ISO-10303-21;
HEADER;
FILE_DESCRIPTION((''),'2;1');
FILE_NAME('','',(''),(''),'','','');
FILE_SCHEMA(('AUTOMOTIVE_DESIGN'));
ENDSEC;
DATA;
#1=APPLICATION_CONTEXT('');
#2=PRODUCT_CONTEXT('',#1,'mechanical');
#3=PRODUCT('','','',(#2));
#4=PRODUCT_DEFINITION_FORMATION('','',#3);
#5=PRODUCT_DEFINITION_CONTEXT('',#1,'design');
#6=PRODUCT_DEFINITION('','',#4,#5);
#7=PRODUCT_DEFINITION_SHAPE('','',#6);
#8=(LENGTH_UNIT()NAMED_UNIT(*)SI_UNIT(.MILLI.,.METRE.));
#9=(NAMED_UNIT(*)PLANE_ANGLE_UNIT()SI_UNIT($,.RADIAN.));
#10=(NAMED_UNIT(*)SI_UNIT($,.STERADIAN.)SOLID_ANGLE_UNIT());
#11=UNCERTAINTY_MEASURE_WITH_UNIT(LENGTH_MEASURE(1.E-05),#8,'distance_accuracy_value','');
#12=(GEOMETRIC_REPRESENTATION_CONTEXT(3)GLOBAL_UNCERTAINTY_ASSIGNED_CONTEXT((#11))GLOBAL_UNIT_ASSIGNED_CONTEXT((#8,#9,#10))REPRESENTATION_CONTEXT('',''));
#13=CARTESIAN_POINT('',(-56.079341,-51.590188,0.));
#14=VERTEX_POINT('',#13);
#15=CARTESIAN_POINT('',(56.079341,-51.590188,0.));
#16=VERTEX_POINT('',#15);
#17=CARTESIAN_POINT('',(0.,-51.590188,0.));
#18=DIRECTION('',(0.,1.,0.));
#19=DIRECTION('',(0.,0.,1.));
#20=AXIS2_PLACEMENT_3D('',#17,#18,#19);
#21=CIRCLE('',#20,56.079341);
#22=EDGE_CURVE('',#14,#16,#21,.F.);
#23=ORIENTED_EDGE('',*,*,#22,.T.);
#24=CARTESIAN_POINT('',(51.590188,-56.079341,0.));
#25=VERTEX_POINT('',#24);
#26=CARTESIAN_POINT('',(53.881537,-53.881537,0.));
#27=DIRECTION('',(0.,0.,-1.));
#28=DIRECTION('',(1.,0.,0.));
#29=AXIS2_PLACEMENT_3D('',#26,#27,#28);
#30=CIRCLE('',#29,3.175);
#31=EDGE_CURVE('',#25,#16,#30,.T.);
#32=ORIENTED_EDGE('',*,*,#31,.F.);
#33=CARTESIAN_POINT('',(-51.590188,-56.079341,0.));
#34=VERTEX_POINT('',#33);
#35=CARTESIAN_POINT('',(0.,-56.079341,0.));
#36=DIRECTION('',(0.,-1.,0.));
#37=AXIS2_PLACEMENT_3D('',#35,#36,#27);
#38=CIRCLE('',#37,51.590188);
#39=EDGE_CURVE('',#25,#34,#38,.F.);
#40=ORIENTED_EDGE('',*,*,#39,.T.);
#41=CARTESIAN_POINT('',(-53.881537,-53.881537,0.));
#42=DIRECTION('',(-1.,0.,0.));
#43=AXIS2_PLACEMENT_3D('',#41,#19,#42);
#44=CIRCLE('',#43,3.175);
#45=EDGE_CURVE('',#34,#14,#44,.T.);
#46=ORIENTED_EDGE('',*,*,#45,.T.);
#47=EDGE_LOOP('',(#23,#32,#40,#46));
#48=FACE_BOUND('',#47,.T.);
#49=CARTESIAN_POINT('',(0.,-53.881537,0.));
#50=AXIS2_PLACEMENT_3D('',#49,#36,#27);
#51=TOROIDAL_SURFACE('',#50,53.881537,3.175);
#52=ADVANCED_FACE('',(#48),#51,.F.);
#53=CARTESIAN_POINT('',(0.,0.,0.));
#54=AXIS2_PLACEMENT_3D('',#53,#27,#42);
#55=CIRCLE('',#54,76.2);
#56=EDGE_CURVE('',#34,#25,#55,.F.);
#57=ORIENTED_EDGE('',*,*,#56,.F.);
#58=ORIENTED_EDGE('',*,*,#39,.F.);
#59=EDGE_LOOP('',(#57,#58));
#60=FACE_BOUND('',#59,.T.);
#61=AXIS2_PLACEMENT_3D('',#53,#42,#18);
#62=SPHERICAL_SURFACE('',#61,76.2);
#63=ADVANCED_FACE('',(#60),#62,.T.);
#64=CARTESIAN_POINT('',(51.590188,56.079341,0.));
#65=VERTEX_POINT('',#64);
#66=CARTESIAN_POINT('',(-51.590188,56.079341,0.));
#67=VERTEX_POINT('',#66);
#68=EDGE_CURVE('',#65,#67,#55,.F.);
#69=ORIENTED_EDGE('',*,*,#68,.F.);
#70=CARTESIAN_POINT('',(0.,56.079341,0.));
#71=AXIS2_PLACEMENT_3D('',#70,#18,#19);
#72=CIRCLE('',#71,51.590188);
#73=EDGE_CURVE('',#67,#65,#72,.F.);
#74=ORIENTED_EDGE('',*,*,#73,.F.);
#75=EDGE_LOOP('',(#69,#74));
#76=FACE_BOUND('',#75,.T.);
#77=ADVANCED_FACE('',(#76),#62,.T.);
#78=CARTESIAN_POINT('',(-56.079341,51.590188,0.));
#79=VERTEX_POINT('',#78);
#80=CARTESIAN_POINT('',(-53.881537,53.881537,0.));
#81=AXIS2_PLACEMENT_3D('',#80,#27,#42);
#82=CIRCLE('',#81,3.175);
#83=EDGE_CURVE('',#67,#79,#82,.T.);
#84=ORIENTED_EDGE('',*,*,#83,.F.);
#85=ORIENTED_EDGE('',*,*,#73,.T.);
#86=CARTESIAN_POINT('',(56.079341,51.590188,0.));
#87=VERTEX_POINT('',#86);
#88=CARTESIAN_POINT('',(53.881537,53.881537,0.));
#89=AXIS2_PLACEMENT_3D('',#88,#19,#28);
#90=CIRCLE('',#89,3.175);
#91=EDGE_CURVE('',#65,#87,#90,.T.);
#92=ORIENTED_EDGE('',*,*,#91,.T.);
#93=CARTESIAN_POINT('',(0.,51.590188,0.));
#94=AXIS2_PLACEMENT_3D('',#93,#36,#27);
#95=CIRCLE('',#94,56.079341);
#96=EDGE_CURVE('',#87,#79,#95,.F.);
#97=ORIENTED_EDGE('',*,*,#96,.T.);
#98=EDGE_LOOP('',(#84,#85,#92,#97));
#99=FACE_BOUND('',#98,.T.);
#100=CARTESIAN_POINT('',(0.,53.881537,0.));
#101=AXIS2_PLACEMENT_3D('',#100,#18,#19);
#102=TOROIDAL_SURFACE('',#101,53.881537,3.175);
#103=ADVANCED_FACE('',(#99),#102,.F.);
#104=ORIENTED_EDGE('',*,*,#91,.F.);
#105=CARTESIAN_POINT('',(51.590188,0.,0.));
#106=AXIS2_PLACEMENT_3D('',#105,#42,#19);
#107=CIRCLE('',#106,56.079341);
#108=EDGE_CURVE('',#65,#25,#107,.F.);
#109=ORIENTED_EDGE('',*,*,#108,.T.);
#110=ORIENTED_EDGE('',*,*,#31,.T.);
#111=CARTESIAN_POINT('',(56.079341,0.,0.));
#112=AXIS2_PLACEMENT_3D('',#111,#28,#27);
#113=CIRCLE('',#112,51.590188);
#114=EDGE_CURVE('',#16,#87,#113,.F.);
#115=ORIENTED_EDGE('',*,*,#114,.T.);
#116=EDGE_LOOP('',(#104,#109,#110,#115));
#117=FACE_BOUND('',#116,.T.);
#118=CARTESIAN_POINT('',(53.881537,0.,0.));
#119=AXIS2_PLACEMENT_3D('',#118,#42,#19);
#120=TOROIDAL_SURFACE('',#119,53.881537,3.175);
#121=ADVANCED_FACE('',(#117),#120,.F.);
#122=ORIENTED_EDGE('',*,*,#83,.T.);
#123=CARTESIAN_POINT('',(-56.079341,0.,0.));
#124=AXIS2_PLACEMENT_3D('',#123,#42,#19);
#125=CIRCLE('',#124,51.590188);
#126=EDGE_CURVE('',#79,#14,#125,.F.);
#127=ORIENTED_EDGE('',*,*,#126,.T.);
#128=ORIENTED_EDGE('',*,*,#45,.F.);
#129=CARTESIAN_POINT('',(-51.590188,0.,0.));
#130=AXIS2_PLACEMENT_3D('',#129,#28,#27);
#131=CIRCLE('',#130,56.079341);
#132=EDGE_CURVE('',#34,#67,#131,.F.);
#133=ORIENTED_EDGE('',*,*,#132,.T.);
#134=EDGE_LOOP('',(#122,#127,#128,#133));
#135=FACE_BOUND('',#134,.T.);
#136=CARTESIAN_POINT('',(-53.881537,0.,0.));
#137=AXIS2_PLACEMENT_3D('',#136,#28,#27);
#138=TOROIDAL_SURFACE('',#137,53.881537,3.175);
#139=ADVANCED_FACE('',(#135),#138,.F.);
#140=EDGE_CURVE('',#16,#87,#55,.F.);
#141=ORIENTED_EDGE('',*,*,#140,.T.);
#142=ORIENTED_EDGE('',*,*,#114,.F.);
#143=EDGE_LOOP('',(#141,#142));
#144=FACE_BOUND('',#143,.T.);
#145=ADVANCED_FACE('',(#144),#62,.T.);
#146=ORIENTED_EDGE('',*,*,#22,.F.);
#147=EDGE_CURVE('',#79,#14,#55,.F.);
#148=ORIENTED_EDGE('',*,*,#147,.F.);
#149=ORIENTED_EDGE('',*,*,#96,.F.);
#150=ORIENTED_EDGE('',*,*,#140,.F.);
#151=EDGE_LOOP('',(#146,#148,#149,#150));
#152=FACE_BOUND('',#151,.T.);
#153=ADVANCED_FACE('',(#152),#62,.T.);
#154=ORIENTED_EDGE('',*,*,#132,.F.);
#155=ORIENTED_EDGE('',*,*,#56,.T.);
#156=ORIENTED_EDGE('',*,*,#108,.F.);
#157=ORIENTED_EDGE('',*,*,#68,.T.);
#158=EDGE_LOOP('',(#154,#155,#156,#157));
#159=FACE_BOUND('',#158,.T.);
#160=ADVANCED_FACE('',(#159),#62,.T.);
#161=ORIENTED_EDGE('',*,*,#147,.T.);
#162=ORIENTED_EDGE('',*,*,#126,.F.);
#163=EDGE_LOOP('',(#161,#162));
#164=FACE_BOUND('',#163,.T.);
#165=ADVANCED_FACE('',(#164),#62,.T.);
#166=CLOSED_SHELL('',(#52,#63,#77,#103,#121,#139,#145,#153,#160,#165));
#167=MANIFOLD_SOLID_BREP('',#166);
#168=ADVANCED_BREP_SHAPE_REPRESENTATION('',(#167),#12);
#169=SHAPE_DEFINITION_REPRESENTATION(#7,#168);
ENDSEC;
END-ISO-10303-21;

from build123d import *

# Parameters (mm, degrees)
CUT_SWEEP1_PROFILE_R = 3.175


with BuildPart() as part:
    # Sketch1 → Revolve1 (revolve)
    with BuildSketch(Plane.XY):
        with BuildLine():
            Line((-76.2, 0), (76.2, 0))
            ThreePointArc((76.2, 0), (0, 76.2), (-76.2, 0))
        make_face()
    revolve(axis=Axis((-76.2, 0, 0), (1, 0, 0)))

    # Cut-Sweep1: sweep along a curve in space
    with BuildLine() as cut_sweep1_path:
        ThreePointArc((-53.881536726, 53.881536726, 0), (-53.881536726, 0, 53.881536726), (-53.881536726, -53.881536726, 0))
        ThreePointArc((-53.881536726, -53.881536726, 0), (0, -53.881536726, -53.881536726), (53.881536726, -53.881536726, 0))
        ThreePointArc((53.881536726, -53.881536726, 0), (53.881536726, 0, 53.881536726), (53.881536726, 53.881536726, 0))
        ThreePointArc((53.881536726, 53.881536726, 0), (0, 53.881536726, -53.881536726), (-53.881536726, 53.881536726, 0))
    # Cut-Sweep1 profile (on start of the path) → Cut-Sweep1 (sweep, cut)
    with BuildSketch(Plane(origin=(-53.881536726, 53.881536726, 0), x_dir=(1, 0, 0), z_dir=(0, 0, 1))):
        Circle(CUT_SWEEP1_PROFILE_R)
    sweep(path=cut_sweep1_path.line, mode=Mode.SUBTRACT)


solid = part.part
